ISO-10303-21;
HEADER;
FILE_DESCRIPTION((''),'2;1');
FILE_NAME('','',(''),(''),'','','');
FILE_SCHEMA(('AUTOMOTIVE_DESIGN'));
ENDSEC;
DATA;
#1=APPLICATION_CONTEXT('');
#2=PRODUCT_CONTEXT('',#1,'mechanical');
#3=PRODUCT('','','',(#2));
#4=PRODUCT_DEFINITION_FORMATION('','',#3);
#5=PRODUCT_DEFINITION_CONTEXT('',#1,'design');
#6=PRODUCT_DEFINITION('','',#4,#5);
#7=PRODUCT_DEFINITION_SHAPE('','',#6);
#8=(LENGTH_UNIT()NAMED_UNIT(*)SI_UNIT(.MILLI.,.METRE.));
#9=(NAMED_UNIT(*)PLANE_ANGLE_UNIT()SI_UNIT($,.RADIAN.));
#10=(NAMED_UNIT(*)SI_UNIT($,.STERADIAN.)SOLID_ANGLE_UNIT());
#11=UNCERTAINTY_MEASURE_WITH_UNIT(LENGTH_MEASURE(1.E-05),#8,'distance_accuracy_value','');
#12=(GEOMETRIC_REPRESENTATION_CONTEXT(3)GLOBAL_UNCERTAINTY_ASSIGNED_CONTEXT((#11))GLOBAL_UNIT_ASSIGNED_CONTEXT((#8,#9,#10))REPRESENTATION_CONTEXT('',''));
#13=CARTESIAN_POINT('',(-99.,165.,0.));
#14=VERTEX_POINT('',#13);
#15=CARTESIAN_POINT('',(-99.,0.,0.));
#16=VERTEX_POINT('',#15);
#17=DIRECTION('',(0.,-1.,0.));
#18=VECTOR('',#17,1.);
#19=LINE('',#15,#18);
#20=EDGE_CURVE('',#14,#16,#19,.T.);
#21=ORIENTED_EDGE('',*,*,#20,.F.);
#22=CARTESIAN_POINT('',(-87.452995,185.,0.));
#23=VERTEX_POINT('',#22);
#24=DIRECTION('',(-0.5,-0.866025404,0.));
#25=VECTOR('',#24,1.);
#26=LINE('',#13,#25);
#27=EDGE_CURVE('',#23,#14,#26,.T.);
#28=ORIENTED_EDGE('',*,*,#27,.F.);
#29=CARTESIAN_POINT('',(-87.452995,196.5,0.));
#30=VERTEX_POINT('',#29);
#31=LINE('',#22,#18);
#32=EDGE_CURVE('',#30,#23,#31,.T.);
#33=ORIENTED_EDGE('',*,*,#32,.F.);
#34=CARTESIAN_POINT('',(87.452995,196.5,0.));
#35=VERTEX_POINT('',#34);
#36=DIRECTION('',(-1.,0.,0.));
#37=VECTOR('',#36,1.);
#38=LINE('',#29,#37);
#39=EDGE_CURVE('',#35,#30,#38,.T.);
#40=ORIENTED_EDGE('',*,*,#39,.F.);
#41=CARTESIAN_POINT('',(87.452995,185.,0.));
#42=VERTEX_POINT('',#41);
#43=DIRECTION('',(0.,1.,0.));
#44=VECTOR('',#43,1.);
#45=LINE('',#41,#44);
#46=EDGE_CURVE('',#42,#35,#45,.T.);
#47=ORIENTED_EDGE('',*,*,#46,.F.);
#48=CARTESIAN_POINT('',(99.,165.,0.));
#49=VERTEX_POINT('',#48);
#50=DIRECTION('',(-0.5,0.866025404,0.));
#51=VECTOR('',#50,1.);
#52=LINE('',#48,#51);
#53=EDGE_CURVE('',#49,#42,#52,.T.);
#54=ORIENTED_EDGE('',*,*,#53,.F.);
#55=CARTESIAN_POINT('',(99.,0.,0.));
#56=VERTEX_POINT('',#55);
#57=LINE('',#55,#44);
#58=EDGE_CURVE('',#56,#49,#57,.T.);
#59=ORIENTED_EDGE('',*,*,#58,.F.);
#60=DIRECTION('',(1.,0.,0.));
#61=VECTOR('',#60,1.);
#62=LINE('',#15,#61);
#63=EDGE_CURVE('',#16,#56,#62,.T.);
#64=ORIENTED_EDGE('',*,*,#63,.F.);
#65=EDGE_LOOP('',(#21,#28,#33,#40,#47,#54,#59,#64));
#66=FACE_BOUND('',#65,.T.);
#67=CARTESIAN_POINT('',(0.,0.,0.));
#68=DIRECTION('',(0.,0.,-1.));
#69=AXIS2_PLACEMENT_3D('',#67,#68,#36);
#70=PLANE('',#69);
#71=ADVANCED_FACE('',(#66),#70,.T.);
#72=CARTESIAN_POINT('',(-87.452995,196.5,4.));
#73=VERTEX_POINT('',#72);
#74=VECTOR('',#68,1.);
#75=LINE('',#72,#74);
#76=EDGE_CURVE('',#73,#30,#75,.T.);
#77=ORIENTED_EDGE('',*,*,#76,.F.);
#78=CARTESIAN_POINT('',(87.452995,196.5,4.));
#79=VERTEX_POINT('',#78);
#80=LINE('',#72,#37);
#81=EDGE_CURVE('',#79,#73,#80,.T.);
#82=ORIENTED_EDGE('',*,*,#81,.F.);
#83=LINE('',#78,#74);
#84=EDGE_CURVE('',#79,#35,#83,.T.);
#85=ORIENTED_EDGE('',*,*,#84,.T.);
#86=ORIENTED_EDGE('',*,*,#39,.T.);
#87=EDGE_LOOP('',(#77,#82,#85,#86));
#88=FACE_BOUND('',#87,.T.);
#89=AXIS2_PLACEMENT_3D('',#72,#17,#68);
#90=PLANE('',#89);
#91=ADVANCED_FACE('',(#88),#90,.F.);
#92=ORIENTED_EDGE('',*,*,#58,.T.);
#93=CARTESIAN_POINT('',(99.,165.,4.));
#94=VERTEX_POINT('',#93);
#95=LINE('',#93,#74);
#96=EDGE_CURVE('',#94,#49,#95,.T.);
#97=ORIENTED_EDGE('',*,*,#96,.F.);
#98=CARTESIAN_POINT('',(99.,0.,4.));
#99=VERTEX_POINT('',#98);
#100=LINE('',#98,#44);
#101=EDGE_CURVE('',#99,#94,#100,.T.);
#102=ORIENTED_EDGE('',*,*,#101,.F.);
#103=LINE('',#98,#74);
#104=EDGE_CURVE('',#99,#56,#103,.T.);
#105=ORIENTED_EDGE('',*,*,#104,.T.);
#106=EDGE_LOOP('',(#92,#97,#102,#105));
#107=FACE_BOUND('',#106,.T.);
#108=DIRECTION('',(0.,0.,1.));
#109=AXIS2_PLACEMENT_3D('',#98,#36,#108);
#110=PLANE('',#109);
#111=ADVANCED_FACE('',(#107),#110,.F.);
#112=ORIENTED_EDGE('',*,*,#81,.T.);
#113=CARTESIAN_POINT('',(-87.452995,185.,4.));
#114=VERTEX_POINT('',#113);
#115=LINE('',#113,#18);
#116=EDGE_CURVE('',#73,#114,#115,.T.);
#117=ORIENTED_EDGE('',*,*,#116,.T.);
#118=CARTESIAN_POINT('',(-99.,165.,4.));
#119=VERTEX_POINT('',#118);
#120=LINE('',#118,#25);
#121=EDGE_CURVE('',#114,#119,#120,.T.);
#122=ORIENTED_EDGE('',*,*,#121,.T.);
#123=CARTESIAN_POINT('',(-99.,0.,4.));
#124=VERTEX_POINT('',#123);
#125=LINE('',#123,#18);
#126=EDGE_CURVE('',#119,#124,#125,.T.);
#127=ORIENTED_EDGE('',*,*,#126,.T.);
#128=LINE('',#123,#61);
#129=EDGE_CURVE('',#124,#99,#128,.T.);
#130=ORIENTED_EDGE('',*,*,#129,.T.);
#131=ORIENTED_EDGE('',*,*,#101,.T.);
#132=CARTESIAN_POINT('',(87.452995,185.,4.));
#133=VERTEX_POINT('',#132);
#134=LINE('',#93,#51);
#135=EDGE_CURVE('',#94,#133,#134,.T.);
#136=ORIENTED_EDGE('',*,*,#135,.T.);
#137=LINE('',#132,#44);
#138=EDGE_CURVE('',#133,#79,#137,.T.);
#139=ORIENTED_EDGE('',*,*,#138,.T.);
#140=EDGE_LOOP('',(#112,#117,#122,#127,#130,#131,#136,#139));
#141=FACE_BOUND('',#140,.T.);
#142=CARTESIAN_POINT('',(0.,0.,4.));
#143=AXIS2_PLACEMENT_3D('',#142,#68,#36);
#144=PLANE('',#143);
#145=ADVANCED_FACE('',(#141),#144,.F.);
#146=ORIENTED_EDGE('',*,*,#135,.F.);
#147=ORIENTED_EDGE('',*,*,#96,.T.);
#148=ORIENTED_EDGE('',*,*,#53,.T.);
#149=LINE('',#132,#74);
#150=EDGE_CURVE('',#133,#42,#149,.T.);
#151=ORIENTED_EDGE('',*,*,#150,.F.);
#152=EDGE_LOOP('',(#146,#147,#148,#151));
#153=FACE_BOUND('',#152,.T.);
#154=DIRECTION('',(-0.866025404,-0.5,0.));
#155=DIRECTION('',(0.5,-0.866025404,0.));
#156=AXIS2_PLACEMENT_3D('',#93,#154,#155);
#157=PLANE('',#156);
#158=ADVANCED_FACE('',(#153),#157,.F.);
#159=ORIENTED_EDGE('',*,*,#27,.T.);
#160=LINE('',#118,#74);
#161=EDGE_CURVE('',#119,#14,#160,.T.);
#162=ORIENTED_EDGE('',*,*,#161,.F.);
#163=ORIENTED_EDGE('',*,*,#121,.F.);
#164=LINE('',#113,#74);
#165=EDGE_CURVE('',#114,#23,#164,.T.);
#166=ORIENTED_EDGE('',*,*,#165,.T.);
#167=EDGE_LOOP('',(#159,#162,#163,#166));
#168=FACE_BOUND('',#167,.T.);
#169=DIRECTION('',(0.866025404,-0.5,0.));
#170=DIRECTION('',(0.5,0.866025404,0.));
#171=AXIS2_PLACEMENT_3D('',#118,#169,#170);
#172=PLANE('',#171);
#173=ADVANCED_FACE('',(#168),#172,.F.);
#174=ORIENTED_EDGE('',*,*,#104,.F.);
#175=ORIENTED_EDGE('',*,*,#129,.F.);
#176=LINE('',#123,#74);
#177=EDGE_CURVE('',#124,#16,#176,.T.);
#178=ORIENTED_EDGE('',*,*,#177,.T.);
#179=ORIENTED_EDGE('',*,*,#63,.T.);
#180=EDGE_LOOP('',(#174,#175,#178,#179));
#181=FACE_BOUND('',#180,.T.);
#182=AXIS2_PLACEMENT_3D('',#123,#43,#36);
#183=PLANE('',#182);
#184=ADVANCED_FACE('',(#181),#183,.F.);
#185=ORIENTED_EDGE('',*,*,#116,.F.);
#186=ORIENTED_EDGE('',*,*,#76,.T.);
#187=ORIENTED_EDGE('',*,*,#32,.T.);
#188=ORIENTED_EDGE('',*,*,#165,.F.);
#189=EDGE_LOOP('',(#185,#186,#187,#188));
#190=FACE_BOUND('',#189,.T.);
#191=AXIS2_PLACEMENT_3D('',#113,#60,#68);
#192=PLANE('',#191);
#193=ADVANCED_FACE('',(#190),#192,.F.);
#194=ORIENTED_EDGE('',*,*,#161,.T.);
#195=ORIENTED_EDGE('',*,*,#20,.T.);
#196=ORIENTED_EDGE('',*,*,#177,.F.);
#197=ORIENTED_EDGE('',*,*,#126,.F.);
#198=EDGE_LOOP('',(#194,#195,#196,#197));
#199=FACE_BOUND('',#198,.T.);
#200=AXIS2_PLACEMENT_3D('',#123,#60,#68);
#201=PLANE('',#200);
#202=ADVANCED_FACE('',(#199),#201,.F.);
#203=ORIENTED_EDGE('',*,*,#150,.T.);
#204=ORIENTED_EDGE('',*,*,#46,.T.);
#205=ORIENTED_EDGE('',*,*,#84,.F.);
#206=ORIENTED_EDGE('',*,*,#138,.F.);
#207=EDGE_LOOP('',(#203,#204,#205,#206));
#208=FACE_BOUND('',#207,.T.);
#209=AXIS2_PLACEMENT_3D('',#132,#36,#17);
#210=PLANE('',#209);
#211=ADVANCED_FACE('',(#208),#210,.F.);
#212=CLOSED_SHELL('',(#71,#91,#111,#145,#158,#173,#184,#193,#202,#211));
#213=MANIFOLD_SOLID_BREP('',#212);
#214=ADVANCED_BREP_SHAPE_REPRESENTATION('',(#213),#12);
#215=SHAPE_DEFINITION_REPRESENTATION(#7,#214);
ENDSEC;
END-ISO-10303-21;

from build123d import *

# Parameters (mm, degrees)
EXTRUDE_1_DEPTH = 4


with BuildPart() as part:
    # 草图1 → 凸台-拉伸1 (new body)
    with BuildSketch(Plane.XY):
        Polygon((-99, 0), (99, 0), (99, 165), (87.452994616, 185), (87.452994616, 196.5), (-87.452994616, 196.5), (-87.452994616, 185), (-99, 165), align=None)
    extrude(amount=EXTRUDE_1_DEPTH)


solid = part.part
